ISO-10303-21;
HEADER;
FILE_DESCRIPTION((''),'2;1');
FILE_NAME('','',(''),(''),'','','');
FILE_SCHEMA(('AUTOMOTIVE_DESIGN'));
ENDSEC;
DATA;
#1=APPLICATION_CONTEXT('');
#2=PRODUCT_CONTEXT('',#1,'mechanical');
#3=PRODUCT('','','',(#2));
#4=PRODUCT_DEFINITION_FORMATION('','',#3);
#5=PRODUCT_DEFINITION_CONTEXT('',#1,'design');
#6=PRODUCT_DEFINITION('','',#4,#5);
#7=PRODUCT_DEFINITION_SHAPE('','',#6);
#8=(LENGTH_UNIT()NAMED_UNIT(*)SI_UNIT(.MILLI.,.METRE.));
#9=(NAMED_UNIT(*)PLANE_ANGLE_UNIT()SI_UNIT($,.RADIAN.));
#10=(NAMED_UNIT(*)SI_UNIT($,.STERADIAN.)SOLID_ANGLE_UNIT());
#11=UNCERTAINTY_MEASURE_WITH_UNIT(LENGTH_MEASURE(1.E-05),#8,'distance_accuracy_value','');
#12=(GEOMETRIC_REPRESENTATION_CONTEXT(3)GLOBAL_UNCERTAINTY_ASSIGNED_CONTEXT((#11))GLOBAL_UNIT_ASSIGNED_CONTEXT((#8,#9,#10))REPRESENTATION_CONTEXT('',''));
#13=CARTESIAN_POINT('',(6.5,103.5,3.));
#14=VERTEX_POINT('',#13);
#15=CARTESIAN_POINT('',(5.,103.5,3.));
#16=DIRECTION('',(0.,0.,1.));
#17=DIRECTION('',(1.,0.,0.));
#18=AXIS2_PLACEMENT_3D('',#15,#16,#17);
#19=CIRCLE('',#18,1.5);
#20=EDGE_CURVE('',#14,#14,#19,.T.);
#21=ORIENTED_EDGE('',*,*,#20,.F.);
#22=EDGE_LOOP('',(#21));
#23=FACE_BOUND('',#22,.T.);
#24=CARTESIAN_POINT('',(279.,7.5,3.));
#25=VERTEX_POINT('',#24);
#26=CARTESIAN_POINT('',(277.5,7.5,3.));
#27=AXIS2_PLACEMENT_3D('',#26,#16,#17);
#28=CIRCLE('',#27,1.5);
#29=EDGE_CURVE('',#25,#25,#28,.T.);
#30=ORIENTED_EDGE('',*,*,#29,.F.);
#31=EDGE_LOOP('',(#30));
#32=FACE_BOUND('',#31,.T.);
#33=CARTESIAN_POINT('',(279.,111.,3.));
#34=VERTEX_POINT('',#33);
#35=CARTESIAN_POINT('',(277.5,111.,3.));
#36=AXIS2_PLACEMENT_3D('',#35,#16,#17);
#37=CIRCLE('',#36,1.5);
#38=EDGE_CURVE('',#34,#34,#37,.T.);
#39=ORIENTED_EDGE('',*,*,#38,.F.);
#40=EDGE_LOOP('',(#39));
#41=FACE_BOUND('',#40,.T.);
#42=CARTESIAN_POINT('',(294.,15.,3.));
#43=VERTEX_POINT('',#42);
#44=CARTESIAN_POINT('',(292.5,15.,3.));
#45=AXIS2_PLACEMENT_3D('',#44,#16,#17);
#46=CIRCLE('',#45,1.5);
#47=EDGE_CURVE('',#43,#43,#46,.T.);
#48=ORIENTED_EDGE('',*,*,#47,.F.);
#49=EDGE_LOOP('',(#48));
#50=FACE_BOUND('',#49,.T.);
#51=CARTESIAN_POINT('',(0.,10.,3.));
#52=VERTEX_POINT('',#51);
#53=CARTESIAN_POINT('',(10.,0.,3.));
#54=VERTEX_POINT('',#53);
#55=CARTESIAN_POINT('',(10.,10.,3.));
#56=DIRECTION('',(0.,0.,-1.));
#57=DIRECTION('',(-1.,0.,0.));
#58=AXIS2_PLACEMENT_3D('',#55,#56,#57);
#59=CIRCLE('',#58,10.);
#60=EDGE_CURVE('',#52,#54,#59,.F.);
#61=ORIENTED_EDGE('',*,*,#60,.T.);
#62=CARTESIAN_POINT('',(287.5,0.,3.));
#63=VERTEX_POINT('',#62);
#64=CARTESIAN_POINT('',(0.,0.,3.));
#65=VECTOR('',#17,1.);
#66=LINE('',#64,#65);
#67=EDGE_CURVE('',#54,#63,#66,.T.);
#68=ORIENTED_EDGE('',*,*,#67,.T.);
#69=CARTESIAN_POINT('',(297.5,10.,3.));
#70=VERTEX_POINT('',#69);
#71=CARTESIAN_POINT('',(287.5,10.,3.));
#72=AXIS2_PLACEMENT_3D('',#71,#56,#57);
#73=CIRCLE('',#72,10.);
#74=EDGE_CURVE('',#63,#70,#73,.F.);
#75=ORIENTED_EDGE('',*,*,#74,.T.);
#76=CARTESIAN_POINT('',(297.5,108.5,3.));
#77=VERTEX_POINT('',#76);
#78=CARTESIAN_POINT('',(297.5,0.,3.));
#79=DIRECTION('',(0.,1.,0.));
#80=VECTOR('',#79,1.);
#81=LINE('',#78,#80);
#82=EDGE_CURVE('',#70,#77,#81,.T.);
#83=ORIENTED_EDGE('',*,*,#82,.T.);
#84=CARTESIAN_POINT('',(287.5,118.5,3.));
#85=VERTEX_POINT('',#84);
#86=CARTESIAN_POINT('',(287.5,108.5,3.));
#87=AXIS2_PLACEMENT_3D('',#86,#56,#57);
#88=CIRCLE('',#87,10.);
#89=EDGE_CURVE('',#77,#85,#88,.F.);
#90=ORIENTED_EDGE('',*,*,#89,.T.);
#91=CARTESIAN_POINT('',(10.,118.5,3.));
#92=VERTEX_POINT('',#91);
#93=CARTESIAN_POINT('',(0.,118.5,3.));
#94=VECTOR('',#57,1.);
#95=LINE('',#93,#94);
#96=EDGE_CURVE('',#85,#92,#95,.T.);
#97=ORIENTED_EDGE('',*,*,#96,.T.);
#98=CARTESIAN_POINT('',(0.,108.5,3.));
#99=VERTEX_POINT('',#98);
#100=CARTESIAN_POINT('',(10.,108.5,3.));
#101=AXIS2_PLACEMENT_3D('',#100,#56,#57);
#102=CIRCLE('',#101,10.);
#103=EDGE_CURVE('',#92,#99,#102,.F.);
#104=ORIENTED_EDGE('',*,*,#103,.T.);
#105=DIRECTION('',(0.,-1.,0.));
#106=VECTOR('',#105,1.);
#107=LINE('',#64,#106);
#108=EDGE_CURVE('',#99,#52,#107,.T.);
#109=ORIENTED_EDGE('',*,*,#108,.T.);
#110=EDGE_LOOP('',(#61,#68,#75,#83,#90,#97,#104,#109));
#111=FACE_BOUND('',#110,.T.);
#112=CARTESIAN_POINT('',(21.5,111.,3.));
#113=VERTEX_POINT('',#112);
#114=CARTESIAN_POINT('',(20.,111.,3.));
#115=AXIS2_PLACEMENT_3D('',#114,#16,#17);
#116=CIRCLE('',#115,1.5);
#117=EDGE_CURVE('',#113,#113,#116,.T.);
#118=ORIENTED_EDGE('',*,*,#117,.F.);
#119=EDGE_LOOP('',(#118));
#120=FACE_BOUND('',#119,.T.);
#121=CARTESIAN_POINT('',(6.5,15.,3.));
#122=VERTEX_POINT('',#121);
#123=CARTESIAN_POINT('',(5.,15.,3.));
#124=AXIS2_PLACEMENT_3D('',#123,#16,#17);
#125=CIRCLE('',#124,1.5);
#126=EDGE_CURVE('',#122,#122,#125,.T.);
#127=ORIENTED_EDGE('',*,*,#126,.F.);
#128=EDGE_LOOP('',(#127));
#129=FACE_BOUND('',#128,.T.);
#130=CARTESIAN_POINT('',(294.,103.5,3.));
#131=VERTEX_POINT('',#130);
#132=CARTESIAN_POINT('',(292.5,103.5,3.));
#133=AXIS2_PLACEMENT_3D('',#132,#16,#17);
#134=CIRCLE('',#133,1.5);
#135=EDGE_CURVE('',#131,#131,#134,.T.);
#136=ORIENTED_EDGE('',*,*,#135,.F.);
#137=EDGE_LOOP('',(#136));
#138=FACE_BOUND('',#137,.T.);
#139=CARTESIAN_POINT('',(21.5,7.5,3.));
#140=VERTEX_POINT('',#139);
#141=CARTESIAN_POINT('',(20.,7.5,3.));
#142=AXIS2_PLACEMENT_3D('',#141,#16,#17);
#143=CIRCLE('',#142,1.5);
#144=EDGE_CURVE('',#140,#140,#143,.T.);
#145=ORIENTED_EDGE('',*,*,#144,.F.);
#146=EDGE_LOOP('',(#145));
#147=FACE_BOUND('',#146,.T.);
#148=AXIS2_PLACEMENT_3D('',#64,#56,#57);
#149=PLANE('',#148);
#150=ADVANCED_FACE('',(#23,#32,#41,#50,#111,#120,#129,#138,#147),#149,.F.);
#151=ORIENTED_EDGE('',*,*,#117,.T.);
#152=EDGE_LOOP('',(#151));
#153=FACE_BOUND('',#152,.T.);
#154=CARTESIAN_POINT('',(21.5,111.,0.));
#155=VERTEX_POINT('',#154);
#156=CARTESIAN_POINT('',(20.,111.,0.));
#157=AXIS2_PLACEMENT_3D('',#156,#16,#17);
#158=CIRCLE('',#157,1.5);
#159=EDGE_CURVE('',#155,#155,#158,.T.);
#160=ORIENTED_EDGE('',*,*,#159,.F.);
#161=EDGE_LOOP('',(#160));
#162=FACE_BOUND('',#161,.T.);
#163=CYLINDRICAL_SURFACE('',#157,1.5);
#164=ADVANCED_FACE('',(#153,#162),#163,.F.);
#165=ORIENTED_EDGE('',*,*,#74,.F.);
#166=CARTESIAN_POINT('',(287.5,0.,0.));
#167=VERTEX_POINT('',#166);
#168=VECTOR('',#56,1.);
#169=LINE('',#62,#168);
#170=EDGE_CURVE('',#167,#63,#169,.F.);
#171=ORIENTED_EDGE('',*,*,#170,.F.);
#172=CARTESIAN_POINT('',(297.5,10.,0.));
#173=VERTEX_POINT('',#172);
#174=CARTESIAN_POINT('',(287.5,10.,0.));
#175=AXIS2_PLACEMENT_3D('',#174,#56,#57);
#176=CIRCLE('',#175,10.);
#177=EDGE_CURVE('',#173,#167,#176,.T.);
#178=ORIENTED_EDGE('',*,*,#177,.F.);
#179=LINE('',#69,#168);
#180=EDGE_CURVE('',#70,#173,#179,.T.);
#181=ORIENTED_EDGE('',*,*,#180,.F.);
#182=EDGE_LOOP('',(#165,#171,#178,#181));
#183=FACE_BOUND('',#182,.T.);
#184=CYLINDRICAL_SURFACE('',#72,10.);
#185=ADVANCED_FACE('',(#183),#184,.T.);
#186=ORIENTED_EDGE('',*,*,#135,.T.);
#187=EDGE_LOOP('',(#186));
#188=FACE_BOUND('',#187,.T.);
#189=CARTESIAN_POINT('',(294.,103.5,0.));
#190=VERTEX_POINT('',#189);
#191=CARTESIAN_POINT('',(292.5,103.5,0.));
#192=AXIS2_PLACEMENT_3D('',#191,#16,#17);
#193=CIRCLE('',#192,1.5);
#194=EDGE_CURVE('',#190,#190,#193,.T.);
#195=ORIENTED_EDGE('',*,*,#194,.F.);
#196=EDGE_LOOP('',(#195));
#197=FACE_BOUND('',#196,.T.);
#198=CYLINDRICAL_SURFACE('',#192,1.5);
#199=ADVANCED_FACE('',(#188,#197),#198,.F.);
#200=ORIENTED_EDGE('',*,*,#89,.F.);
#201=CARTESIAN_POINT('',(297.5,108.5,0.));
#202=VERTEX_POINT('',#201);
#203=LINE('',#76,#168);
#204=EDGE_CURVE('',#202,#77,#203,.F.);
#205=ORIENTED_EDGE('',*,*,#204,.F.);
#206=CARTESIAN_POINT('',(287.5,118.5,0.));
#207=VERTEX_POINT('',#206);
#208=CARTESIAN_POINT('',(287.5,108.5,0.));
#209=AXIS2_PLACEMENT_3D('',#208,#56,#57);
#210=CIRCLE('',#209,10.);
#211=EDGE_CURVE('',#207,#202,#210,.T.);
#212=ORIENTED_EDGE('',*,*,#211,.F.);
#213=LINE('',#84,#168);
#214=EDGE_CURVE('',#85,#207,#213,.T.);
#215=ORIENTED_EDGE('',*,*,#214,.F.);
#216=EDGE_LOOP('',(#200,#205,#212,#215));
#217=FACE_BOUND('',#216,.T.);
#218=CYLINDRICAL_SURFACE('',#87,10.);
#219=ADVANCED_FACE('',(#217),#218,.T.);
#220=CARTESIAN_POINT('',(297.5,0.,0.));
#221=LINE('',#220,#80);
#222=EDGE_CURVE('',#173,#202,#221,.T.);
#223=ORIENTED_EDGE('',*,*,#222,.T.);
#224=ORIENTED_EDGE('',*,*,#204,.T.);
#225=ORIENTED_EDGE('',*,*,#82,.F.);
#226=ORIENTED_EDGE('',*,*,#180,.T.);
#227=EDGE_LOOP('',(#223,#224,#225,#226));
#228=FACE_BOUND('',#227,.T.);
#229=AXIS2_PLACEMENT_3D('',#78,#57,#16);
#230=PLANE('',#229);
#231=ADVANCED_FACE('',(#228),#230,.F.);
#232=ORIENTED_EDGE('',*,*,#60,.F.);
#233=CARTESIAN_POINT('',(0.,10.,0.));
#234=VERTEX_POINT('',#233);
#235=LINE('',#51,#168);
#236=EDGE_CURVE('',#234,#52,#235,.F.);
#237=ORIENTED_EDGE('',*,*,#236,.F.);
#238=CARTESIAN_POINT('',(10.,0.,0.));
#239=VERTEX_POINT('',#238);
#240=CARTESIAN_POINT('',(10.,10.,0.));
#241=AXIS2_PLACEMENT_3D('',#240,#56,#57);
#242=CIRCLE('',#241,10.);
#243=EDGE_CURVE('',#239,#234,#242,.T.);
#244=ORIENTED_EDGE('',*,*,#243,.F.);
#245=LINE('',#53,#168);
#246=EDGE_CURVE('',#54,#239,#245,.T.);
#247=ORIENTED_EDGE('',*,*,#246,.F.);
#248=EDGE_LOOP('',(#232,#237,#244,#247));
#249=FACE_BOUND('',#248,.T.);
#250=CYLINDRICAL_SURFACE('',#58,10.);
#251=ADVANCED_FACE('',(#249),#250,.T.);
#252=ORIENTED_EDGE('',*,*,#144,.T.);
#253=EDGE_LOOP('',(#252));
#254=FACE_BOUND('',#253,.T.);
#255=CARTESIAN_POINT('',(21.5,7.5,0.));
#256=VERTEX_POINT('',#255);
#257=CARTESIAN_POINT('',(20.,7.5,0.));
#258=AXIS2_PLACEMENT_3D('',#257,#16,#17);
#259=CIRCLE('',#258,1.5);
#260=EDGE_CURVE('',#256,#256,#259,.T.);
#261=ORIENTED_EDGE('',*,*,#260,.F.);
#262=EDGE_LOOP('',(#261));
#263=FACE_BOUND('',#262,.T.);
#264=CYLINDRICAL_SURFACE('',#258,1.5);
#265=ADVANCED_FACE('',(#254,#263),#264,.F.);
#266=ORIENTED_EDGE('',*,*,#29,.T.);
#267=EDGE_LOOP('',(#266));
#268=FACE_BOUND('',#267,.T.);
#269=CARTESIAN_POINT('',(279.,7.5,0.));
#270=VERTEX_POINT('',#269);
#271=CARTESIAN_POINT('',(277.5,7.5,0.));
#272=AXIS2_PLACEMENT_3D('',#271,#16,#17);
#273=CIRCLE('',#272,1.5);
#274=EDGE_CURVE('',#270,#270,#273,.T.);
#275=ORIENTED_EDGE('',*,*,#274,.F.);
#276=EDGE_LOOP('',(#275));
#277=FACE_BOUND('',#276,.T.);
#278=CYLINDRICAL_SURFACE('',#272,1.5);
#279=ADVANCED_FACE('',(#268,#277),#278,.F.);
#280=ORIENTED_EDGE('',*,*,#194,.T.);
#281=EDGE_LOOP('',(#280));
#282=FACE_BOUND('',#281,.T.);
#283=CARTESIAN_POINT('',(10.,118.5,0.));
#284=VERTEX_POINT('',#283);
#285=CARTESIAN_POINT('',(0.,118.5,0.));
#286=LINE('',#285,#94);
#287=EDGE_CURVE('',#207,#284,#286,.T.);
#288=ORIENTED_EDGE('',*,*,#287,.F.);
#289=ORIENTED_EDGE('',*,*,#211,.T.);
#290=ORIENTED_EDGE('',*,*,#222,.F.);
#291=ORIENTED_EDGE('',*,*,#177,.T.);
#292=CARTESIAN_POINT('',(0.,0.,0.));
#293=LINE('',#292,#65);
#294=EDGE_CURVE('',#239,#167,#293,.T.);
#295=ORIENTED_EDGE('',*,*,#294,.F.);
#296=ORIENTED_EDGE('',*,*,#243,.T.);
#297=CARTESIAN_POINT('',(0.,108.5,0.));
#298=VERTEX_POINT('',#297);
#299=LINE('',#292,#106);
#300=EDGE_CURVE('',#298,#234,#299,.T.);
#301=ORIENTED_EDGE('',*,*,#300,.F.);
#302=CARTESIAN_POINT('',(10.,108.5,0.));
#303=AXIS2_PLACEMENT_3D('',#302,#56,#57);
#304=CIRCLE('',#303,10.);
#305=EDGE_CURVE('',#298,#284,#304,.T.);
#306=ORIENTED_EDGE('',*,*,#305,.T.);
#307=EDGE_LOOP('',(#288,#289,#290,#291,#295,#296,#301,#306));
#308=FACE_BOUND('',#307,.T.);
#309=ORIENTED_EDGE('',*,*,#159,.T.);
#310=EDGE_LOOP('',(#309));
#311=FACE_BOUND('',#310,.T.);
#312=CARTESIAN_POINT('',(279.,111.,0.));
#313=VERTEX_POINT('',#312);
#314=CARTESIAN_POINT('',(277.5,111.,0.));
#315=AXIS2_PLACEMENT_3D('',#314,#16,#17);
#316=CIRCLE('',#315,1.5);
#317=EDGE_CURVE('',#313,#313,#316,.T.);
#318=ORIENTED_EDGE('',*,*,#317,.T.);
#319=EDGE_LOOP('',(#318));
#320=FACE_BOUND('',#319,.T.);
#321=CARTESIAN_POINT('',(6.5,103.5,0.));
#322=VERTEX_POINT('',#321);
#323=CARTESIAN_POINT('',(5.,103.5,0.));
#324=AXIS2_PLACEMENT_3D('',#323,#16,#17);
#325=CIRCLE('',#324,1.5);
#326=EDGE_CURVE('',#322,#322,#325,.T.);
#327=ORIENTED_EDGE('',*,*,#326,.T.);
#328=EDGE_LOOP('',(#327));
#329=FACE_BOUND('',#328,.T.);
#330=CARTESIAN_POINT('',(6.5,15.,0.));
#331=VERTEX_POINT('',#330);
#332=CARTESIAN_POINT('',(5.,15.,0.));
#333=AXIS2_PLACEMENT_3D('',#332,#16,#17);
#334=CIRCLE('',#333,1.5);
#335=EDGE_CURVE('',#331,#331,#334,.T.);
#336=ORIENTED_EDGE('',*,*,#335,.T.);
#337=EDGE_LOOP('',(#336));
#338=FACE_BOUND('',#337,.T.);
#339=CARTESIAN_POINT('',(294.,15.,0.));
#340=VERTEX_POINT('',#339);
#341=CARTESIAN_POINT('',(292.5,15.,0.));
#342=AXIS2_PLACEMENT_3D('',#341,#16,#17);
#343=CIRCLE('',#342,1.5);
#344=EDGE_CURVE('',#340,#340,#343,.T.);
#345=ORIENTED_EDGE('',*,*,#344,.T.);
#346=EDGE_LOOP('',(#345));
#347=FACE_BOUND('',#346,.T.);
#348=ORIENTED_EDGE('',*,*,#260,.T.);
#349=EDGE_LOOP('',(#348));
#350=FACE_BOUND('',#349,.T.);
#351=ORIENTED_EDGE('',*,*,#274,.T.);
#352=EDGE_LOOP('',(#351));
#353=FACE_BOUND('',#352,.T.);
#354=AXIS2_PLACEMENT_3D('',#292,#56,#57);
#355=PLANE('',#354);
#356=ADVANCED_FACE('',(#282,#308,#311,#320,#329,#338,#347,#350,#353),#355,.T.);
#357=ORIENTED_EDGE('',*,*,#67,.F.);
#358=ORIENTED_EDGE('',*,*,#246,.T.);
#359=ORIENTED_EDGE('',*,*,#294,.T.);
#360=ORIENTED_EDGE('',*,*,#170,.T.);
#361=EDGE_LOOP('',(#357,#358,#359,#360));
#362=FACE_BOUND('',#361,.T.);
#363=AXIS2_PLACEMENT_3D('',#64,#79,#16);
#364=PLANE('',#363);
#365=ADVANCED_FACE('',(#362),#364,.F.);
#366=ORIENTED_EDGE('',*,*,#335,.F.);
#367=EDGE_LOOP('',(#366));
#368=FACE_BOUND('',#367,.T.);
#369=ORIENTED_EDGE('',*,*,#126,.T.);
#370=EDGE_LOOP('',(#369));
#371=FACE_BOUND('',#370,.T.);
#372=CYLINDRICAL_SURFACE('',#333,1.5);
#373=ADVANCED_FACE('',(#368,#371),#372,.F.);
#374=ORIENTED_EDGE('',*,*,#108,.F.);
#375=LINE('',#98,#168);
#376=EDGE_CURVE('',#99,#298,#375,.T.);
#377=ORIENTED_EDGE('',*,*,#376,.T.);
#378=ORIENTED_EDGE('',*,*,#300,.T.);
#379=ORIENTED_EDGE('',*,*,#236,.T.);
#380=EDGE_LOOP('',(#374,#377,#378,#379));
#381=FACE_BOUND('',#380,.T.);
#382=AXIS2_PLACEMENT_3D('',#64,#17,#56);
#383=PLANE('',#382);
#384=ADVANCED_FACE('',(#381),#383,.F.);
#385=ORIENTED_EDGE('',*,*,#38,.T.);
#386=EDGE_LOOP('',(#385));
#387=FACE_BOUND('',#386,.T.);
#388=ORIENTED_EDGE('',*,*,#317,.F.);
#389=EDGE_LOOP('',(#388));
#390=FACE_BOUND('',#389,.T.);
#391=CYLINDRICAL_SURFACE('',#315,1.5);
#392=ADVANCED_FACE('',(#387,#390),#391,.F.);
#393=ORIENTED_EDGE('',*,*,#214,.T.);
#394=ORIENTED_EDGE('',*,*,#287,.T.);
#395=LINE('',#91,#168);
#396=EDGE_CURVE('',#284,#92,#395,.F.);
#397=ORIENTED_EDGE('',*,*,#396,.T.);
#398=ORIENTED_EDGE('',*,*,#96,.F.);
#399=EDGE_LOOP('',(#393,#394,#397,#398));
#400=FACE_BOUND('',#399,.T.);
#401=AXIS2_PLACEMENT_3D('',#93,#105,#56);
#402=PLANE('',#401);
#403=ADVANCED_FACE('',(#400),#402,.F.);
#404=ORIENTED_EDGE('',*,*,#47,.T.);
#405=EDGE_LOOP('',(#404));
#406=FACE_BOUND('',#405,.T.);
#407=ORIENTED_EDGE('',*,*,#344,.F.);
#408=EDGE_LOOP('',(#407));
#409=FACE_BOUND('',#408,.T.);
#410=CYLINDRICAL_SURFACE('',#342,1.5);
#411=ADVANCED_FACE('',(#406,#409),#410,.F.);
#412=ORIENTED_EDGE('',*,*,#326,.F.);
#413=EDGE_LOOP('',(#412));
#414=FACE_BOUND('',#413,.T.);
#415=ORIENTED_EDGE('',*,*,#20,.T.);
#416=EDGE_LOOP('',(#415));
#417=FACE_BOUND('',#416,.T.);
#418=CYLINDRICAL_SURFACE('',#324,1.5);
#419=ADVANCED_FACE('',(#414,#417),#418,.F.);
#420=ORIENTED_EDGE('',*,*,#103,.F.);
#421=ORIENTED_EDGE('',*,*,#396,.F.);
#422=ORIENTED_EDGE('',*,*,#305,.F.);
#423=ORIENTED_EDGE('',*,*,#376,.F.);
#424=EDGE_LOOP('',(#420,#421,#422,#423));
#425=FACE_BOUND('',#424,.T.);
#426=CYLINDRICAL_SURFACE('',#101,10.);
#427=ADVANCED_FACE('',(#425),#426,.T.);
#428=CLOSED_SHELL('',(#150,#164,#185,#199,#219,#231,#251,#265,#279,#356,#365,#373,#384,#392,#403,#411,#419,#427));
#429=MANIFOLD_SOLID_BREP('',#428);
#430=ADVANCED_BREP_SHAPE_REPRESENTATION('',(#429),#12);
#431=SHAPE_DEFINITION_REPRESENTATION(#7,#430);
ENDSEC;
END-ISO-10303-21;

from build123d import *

# Parameters (mm, degrees)
SKETCH1_W           = 297.5
SKETCH1_H           = 118.5
BOSS_EXTRUDE1_DEPTH = 3
SKETCH2_R           = 1.5
CUT_EXTRUDE1_DEPTH  = 3
FILLET1_R           = 10


with BuildPart() as part:
    # Sketch1 → Boss-Extrude1 (new body)
    with BuildSketch(Plane.XY):
        with Locations((148.75, 59.25)):
            Rectangle(SKETCH1_W, SKETCH1_H)
    extrude(amount=BOSS_EXTRUDE1_DEPTH)

    # Sketch2 → Cut-Extrude1 (cut)
    with BuildSketch(Plane.XY.offset(3)):
        with Locations((5, 15)):
            Circle(SKETCH2_R)
        with Locations((20, 7.5)):
            Circle(SKETCH2_R)
        with Locations((20, 111)):
            Circle(SKETCH2_R)
        with Locations((5, 103.5)):
            Circle(SKETCH2_R)
        with Locations((292.5, 15)):
            Circle(SKETCH2_R)
        with Locations((277.5, 7.5)):
            Circle(SKETCH2_R)
        with Locations((292.5, 103.5)):
            Circle(SKETCH2_R)
        with Locations((277.5, 111)):
            Circle(SKETCH2_R)
    extrude(amount=-CUT_EXTRUDE1_DEPTH, mode=Mode.SUBTRACT)

    # Fillet1
    fillet1_edges = [part.edges().sort_by_distance(p)[0] for p in [
        (0, 118.5, 1.5),
        (297.5, 118.5, 1.5),
        (297.5, 0, 1.5),
        (0, 0, 1.5),
    ]]
    fillet(fillet1_edges, radius=FILLET1_R)


solid = part.part
